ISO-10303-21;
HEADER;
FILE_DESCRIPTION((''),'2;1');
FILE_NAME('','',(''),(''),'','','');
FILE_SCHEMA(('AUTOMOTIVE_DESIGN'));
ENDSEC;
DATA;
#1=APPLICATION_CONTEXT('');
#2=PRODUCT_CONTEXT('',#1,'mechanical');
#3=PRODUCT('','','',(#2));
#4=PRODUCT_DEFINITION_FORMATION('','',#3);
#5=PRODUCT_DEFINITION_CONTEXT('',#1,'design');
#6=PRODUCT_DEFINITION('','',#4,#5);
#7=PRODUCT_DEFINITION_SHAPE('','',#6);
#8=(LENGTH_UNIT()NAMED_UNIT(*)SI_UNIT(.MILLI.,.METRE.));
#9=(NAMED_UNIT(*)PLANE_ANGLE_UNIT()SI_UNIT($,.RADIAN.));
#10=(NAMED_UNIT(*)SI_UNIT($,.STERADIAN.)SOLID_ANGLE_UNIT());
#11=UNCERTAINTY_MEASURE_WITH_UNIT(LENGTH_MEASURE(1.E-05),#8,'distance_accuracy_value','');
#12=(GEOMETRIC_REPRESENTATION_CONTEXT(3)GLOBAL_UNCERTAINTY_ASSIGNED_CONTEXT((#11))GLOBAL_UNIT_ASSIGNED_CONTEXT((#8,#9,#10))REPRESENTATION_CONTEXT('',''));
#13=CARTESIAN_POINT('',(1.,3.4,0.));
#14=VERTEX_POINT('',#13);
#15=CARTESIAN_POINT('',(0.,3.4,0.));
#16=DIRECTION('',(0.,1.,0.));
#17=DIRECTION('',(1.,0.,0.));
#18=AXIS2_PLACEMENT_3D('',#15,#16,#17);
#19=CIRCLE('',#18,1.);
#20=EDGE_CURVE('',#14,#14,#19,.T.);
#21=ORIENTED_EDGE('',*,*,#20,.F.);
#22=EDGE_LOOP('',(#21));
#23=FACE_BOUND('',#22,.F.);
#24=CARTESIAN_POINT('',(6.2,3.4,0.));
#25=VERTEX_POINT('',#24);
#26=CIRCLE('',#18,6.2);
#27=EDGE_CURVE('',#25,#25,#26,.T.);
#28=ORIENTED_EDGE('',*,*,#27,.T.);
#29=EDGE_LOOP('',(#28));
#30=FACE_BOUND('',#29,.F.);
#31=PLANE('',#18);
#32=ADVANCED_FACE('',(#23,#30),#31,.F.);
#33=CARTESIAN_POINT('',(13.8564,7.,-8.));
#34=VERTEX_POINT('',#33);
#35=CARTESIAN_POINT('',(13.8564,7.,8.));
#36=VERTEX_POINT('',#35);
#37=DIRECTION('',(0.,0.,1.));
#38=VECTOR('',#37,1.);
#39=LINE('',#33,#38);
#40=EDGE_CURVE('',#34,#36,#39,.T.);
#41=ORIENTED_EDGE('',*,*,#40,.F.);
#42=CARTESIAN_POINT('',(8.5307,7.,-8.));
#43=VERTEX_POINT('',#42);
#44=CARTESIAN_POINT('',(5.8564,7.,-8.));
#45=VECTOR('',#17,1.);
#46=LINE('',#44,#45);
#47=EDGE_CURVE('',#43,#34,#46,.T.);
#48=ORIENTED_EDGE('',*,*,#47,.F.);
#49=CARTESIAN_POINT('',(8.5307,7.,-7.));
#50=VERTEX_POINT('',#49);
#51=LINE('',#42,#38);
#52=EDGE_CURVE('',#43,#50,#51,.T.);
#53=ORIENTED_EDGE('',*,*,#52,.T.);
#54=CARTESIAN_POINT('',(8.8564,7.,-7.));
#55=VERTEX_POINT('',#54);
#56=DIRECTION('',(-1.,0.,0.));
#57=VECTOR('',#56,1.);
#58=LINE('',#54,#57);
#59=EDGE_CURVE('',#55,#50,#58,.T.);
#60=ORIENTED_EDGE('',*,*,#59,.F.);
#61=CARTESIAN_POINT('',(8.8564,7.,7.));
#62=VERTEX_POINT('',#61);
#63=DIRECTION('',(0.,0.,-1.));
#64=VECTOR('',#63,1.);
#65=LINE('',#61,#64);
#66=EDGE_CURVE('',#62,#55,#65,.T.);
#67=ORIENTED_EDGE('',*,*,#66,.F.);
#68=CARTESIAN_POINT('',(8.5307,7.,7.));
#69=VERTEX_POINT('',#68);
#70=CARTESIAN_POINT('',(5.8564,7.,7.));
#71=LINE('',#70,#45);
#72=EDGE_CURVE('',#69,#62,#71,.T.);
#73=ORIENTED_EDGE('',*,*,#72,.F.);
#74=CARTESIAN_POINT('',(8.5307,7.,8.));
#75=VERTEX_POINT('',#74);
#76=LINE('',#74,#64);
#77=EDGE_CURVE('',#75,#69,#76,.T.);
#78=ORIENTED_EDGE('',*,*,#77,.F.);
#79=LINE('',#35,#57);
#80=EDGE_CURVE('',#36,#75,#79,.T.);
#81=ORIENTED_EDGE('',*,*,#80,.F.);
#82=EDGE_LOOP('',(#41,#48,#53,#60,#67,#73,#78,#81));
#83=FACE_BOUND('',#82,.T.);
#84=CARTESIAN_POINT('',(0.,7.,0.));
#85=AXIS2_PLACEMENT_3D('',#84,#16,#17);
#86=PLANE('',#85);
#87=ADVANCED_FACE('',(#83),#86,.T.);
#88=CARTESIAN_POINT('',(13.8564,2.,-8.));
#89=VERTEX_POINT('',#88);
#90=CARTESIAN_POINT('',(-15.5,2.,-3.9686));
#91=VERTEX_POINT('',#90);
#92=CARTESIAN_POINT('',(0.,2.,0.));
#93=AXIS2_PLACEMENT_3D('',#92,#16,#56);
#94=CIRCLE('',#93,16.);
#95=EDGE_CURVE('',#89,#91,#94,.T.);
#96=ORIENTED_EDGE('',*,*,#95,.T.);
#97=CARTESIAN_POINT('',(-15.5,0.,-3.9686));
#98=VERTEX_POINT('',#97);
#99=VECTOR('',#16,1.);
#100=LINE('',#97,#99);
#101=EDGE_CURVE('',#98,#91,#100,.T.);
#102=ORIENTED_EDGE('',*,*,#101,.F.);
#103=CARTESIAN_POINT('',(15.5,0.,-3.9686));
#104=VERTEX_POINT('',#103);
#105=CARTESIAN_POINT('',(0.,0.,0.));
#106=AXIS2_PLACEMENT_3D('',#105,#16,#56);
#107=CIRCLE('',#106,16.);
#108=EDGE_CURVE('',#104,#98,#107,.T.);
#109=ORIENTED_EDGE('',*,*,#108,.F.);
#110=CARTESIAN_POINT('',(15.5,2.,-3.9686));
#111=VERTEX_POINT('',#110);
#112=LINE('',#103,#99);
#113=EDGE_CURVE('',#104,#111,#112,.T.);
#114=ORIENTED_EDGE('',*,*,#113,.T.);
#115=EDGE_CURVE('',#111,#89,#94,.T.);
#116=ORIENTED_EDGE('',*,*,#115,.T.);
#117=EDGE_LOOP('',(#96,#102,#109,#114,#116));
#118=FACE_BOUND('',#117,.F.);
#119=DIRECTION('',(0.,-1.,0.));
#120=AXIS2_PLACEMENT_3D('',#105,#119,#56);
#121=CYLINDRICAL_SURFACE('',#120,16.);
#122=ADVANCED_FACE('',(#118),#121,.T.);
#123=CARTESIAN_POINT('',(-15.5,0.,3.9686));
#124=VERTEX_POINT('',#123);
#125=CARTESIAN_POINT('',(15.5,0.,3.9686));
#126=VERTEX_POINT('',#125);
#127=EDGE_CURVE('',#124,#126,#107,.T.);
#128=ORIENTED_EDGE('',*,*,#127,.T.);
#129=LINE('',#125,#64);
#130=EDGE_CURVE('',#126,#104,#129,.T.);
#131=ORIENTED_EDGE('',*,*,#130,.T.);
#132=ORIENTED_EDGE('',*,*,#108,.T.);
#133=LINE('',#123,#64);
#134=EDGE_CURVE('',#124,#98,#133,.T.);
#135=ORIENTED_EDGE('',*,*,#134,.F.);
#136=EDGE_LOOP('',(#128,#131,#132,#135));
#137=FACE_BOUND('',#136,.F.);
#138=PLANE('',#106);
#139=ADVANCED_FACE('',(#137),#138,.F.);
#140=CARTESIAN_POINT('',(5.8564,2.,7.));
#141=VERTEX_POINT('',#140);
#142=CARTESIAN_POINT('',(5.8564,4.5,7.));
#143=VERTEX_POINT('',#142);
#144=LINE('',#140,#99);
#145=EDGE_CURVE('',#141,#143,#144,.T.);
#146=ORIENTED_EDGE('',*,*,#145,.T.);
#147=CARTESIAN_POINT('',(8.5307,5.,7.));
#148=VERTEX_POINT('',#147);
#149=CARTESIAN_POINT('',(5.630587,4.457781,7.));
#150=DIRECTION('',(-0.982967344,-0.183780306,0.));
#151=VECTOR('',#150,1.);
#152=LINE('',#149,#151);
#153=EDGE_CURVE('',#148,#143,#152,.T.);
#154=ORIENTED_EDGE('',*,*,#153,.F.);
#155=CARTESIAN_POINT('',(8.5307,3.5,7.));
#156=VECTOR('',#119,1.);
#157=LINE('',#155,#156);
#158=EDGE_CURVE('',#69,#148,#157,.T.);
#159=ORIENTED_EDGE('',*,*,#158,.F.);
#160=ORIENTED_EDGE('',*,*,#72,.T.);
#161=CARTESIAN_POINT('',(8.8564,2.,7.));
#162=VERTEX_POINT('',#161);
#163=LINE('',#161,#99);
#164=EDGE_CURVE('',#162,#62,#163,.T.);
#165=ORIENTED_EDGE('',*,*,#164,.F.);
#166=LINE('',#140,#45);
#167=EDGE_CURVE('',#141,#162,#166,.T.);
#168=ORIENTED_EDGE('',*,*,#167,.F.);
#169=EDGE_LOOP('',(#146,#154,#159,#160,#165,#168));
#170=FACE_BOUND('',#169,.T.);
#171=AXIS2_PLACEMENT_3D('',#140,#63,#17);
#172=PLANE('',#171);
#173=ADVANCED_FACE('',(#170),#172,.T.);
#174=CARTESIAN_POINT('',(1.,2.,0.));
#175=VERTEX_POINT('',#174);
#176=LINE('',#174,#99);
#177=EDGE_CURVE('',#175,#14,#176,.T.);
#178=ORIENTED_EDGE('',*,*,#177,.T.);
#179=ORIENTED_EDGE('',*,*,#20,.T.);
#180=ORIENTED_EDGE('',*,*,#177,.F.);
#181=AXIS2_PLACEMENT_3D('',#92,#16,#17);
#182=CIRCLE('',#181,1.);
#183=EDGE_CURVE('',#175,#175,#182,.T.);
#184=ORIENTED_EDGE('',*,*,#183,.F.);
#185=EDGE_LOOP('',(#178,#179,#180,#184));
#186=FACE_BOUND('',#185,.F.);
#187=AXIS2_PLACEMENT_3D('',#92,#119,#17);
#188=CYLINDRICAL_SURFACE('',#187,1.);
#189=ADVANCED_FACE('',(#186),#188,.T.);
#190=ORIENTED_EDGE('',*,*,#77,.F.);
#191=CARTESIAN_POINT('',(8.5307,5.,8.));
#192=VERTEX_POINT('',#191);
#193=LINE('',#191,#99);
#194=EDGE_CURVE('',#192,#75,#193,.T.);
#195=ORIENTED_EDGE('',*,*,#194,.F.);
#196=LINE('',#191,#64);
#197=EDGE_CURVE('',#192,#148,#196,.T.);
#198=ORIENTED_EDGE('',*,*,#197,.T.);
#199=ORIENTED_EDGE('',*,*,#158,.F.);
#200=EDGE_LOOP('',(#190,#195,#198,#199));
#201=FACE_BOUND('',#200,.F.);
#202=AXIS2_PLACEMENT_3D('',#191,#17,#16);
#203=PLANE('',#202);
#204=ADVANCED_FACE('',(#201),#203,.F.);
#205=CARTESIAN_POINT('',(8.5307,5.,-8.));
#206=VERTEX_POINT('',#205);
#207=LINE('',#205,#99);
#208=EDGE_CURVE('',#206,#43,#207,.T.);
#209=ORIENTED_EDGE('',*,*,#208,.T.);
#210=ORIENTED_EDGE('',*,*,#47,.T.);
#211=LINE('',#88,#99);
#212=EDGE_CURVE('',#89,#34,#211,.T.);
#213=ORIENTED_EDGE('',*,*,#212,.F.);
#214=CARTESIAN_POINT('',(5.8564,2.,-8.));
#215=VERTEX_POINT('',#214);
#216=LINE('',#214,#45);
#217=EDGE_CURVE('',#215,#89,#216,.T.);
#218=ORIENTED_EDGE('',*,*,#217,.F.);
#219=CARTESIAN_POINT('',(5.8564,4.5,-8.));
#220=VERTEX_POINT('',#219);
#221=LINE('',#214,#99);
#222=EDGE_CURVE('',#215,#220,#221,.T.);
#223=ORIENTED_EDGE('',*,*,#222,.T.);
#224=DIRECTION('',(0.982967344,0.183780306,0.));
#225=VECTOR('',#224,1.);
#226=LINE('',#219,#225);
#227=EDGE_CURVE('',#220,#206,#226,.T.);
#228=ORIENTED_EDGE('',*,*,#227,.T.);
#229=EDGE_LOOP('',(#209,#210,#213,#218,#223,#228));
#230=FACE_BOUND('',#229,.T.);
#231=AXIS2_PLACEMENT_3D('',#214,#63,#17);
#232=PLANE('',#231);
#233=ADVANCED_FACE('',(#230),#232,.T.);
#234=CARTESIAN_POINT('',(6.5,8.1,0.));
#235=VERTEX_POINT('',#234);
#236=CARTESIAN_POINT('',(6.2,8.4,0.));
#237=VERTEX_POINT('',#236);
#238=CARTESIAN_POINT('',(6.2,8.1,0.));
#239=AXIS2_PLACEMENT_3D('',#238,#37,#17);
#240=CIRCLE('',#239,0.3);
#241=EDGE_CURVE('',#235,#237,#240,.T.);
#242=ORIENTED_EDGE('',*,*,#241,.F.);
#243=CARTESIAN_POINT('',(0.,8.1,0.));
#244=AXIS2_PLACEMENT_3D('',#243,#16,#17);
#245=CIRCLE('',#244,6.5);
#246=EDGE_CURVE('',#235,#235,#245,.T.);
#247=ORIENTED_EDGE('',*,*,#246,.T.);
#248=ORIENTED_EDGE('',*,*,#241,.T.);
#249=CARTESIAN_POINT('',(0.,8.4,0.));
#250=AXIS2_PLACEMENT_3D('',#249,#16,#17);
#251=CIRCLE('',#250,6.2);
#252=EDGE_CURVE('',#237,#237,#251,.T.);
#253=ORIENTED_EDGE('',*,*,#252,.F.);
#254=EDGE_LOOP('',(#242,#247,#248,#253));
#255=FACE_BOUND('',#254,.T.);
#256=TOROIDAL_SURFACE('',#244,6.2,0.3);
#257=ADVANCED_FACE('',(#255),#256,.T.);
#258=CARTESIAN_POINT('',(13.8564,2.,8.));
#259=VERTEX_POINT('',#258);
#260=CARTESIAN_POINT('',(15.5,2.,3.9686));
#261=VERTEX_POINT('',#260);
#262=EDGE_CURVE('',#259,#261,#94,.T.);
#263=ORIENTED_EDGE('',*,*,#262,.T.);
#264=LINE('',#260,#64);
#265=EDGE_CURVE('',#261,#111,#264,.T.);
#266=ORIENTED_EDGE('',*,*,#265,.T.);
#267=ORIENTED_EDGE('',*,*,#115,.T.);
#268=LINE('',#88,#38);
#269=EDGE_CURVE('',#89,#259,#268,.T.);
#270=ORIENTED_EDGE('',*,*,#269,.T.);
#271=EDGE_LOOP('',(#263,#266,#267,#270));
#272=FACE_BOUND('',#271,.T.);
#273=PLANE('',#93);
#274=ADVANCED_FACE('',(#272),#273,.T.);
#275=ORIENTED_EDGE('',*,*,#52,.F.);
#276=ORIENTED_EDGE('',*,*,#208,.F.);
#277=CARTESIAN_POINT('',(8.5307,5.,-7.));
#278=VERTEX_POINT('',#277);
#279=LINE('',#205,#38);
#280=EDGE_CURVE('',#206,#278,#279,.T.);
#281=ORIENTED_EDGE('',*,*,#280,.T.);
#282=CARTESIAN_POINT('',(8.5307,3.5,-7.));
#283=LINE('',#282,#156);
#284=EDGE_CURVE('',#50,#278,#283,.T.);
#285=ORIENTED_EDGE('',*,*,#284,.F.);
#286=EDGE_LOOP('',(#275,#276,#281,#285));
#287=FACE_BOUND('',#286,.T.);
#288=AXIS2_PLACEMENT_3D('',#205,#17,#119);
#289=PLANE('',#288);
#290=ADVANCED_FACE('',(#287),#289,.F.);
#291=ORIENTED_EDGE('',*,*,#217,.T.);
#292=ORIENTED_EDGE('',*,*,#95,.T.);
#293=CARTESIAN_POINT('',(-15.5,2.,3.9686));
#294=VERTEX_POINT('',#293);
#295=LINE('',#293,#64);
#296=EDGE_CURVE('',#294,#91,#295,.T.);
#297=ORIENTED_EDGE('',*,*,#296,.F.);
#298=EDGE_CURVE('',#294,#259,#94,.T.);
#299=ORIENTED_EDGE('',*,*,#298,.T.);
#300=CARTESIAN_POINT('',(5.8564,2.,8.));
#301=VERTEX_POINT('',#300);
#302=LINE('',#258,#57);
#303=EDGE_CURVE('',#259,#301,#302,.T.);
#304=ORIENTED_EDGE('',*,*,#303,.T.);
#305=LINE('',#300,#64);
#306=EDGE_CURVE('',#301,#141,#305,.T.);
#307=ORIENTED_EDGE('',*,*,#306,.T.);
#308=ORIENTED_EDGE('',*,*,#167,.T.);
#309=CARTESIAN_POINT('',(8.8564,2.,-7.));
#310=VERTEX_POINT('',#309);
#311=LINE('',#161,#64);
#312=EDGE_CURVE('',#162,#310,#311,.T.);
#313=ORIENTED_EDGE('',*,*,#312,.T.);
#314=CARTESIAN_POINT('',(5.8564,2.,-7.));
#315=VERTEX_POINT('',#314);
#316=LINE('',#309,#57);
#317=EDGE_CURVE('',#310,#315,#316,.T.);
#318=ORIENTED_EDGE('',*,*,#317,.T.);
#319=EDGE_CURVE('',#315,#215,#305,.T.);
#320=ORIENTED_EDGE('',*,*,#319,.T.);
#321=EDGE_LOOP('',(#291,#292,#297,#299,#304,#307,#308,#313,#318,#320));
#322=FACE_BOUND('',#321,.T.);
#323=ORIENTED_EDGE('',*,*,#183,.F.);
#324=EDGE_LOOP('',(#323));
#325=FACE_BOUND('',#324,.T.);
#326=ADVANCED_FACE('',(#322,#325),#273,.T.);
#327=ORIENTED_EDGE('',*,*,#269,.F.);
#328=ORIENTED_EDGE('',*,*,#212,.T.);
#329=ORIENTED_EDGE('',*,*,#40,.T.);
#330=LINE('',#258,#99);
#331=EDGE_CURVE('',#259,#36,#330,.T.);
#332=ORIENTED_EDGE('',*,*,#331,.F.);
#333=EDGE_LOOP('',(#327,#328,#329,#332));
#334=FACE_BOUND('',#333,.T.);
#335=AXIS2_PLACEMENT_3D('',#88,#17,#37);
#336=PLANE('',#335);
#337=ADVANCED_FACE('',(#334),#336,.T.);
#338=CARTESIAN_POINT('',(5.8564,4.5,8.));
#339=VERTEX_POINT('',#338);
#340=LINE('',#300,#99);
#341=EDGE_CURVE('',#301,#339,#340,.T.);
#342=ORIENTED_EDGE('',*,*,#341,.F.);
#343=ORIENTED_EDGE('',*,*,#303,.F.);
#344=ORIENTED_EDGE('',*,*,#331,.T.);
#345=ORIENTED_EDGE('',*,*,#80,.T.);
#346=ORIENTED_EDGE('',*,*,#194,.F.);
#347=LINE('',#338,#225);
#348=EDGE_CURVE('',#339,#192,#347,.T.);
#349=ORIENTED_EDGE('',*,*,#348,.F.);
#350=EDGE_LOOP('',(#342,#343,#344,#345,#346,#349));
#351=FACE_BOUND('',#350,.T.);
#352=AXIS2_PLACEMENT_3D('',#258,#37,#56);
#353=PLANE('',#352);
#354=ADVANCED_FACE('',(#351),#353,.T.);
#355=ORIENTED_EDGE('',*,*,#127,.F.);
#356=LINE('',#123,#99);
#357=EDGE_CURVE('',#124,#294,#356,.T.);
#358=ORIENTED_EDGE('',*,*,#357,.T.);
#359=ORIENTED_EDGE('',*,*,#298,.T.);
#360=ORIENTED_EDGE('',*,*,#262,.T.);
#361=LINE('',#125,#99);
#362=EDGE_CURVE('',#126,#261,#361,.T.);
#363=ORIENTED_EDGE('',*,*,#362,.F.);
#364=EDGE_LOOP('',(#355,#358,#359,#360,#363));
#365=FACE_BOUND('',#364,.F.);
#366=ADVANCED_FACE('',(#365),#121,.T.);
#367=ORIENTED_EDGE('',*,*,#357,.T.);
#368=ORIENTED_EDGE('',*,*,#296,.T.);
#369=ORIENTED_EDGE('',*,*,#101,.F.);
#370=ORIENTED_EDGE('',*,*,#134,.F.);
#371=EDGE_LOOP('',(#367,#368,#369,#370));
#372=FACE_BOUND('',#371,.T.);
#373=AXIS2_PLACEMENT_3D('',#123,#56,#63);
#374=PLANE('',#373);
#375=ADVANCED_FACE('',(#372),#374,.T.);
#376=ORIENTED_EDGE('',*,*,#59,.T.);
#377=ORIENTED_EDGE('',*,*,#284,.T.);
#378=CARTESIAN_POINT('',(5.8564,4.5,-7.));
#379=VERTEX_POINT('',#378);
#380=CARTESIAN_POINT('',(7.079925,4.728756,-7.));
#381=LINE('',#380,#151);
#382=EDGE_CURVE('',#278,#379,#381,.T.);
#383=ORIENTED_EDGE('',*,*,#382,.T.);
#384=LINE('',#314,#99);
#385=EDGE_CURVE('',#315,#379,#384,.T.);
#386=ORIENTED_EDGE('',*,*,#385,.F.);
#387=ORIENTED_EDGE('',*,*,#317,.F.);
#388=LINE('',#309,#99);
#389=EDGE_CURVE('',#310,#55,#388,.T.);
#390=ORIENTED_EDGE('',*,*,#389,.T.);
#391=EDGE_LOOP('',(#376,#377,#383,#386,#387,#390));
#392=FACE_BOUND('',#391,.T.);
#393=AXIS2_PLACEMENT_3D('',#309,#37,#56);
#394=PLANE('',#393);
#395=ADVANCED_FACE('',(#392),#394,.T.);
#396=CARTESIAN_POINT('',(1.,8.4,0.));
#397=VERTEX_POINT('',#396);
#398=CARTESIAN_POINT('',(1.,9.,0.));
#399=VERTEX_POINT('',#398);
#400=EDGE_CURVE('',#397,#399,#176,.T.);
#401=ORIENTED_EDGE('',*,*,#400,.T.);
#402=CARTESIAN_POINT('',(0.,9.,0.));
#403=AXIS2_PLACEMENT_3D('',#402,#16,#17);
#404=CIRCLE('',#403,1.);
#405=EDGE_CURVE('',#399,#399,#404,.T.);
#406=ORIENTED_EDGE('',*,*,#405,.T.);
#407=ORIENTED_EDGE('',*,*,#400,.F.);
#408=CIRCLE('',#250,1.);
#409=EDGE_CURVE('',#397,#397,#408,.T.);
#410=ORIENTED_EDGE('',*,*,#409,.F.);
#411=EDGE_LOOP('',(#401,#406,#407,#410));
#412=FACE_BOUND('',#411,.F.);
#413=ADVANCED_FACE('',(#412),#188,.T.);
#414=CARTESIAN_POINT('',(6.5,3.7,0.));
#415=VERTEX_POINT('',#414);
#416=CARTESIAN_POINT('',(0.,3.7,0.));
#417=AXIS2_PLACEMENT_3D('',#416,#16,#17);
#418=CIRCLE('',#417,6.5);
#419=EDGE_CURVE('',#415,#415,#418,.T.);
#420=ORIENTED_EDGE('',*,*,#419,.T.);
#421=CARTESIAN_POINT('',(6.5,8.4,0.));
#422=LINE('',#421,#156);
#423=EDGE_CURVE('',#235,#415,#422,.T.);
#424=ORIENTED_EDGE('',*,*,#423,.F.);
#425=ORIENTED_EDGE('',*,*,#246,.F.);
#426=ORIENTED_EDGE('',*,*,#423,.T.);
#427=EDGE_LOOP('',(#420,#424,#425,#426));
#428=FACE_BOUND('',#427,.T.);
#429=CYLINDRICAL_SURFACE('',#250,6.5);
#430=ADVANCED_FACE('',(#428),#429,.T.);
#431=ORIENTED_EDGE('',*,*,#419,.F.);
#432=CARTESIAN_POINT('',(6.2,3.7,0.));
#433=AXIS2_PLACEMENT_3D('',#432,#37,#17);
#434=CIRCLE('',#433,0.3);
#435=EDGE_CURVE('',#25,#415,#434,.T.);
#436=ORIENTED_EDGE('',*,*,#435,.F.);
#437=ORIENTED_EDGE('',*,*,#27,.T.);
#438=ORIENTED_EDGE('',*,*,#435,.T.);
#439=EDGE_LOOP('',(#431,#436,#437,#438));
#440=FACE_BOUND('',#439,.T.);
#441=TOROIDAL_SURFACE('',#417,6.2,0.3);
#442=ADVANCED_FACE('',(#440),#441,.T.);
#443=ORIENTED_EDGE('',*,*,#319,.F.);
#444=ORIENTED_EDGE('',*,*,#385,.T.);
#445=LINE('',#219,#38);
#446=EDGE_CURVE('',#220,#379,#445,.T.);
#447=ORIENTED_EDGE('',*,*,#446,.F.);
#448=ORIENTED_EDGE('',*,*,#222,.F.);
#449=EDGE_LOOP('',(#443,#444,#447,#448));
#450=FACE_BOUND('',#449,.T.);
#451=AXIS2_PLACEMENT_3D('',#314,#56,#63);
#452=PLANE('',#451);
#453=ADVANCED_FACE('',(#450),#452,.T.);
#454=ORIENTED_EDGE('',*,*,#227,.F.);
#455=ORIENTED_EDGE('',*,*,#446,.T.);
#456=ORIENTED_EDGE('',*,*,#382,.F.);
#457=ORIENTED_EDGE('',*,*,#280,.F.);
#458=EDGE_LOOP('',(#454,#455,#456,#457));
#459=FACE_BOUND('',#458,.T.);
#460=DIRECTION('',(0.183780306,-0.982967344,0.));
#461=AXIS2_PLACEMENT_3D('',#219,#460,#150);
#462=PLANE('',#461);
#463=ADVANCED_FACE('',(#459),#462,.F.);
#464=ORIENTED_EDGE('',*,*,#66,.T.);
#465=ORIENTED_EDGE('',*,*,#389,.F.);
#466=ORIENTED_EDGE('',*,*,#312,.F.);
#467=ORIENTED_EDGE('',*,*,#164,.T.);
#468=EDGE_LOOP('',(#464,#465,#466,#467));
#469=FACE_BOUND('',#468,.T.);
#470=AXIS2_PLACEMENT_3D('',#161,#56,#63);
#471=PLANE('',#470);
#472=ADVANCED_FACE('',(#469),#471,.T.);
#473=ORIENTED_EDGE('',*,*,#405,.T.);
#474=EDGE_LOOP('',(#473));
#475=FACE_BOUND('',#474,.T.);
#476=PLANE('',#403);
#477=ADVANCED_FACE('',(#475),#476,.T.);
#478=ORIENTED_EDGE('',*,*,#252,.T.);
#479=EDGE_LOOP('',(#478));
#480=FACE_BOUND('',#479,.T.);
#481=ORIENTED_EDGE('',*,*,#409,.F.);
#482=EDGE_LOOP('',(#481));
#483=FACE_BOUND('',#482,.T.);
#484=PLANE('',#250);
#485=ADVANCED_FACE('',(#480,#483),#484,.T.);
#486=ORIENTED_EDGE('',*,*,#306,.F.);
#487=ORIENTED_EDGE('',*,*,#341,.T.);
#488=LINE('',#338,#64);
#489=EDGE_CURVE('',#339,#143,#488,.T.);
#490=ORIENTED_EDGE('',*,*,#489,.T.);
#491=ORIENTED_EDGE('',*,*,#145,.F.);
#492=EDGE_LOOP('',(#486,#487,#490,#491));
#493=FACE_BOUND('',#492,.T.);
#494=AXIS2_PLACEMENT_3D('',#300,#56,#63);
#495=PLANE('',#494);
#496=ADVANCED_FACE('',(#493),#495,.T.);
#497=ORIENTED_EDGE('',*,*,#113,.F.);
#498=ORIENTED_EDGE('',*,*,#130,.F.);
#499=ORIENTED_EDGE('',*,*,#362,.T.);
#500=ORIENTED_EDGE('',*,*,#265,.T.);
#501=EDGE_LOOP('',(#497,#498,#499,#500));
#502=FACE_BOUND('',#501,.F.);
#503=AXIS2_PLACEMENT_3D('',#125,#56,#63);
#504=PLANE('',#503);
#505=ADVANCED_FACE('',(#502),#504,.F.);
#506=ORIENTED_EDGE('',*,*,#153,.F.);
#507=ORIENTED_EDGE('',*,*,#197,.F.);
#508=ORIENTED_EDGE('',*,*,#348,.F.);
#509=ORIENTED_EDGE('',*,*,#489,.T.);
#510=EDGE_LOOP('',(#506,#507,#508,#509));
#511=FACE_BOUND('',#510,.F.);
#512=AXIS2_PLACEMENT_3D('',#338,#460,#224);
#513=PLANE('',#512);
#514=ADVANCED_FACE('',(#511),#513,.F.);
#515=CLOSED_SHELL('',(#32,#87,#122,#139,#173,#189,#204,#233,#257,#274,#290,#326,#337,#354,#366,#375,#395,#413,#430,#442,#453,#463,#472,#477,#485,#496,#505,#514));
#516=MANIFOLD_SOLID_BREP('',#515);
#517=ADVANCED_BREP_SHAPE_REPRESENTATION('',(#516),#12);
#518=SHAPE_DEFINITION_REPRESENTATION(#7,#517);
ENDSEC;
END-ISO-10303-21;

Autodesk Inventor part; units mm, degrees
ref_plane "YZ Plane" through (0, 0, 0) normal (1, 0, 0) x (0, 1, 0)
ref_plane "XZ Plane" through (0, 0, 0) normal (0, 1, 0) x (-1, 0, 0)
ref_plane "XY Plane" through (0, 0, 0) normal (0, 0, 1) x (1, 0, 0)
sketch "Эскиз1" plane through (0, 0, 0) normal (0, 1, 0) x (-1, 0, 0)
  circle A0 centre (0, 0) radius 16
  line L0 (15.5, 3.9686) -> (15.5, -3.9686)
  line L1 (-15.5, 3.9686) -> (-15.5, -3.9686)
  dimension "d0" = 32
  dimension "d1" = 15.5
  dimension "d2" = 15.5
extrude "Выдавливание1" add sketch "Эскиз1" along normal blind 2 contours L0 A0 L1
sketch "Эскиз2" plane through (0, 2, 0) normal (0, 1, 0) x (1, 0, 0)
  circle A0 centre (0, 0) radius 1
  dimension "d5" = 2
extrude "Выдавливание2" add sketch "Эскиз2" along normal blind 7
ref_plane "РабПлоскость1" through (0, 8.4, 0) normal (0, 1, 0) x (1, 0, 0)
sketch "Эскиз3" plane through (0, 8.4, 0) normal (0, 1, 0) x (1, 0, 0)
  circle A0 centre (0, 0) radius 1 projected
  circle A1 centre (0, 0) radius 6.5
  dimension "d9" = 13
extrude "Выдавливание3" add sketch "Эскиз3" against normal blind 5
fillet "Сопряжение1" radius 0.3 2 edges at (-6.5, 8.4, 0) (-6.5, 3.4, 0)
sketch "Эскиз4" plane through (0, 2, 0) normal (0, 1, 0) x (1, 0, 0)
  line L0 (13.8564, -8) -> (5.8564, -8)
  line L1 (5.8564, -8) -> (5.8564, 8)
  line L2 (5.8564, 8) -> (13.8564, 8)
  line L3 (13.8564, 8) -> (13.8564, -8)
  arc A0 (-15.5, -3.9686) -> (15.5, -3.9686) centre (0, 0) ccw projected
  arc A1 (15.5, 3.9686) -> (-15.5, 3.9686) centre (0, 0) ccw projected
  line L4 (5.8564, -7) -> (8.8564, -7)
  line L5 (8.8564, -7) -> (8.8564, 7)
  line L6 (8.8564, 7) -> (5.8564, 7)
  line L7 (5.8564, 7) -> (5.8564, -7)
  line L8 (13.8564, 0) -> (12.4148, 0) construction
  dimension "d13" = 8
  dimension "d14" = 16
  dimension "d21" = 5
  dimension "d22" = 14
extrude "Выдавливание4" add sketch "Эскиз4" along normal blind 5 contours L0 L1 L4 L5 L6 L2 L3
sketch "Эскиз6" plane through (5.8564, 2, 8) normal (0, 0, 1) x (1, 0, 0)
  line L0 (0, 0) -> (0, 5) projected
  line L1 (0, 0) -> (0, 2.5)
  line L2 (0, 2.5) -> (2.6743, 3)
  line L3 (2.6743, 3) -> (2.6743, 5)
  line L4 (8, 5) -> (0, 5) projected
  point P0 (-5.8564, -2)
  dimension "d23" = 2.5
  dimension "d24" = 2
extrude "Выдавливание6" cut sketch "Эскиз6" against normal blind 5
mirror "Зеркальное отражение1" about plane through (0, 0, 0) normal (0, 0, 1) of "Выдавливание6"
equation "\"d2\" = d1"
properties part number "encoder"
